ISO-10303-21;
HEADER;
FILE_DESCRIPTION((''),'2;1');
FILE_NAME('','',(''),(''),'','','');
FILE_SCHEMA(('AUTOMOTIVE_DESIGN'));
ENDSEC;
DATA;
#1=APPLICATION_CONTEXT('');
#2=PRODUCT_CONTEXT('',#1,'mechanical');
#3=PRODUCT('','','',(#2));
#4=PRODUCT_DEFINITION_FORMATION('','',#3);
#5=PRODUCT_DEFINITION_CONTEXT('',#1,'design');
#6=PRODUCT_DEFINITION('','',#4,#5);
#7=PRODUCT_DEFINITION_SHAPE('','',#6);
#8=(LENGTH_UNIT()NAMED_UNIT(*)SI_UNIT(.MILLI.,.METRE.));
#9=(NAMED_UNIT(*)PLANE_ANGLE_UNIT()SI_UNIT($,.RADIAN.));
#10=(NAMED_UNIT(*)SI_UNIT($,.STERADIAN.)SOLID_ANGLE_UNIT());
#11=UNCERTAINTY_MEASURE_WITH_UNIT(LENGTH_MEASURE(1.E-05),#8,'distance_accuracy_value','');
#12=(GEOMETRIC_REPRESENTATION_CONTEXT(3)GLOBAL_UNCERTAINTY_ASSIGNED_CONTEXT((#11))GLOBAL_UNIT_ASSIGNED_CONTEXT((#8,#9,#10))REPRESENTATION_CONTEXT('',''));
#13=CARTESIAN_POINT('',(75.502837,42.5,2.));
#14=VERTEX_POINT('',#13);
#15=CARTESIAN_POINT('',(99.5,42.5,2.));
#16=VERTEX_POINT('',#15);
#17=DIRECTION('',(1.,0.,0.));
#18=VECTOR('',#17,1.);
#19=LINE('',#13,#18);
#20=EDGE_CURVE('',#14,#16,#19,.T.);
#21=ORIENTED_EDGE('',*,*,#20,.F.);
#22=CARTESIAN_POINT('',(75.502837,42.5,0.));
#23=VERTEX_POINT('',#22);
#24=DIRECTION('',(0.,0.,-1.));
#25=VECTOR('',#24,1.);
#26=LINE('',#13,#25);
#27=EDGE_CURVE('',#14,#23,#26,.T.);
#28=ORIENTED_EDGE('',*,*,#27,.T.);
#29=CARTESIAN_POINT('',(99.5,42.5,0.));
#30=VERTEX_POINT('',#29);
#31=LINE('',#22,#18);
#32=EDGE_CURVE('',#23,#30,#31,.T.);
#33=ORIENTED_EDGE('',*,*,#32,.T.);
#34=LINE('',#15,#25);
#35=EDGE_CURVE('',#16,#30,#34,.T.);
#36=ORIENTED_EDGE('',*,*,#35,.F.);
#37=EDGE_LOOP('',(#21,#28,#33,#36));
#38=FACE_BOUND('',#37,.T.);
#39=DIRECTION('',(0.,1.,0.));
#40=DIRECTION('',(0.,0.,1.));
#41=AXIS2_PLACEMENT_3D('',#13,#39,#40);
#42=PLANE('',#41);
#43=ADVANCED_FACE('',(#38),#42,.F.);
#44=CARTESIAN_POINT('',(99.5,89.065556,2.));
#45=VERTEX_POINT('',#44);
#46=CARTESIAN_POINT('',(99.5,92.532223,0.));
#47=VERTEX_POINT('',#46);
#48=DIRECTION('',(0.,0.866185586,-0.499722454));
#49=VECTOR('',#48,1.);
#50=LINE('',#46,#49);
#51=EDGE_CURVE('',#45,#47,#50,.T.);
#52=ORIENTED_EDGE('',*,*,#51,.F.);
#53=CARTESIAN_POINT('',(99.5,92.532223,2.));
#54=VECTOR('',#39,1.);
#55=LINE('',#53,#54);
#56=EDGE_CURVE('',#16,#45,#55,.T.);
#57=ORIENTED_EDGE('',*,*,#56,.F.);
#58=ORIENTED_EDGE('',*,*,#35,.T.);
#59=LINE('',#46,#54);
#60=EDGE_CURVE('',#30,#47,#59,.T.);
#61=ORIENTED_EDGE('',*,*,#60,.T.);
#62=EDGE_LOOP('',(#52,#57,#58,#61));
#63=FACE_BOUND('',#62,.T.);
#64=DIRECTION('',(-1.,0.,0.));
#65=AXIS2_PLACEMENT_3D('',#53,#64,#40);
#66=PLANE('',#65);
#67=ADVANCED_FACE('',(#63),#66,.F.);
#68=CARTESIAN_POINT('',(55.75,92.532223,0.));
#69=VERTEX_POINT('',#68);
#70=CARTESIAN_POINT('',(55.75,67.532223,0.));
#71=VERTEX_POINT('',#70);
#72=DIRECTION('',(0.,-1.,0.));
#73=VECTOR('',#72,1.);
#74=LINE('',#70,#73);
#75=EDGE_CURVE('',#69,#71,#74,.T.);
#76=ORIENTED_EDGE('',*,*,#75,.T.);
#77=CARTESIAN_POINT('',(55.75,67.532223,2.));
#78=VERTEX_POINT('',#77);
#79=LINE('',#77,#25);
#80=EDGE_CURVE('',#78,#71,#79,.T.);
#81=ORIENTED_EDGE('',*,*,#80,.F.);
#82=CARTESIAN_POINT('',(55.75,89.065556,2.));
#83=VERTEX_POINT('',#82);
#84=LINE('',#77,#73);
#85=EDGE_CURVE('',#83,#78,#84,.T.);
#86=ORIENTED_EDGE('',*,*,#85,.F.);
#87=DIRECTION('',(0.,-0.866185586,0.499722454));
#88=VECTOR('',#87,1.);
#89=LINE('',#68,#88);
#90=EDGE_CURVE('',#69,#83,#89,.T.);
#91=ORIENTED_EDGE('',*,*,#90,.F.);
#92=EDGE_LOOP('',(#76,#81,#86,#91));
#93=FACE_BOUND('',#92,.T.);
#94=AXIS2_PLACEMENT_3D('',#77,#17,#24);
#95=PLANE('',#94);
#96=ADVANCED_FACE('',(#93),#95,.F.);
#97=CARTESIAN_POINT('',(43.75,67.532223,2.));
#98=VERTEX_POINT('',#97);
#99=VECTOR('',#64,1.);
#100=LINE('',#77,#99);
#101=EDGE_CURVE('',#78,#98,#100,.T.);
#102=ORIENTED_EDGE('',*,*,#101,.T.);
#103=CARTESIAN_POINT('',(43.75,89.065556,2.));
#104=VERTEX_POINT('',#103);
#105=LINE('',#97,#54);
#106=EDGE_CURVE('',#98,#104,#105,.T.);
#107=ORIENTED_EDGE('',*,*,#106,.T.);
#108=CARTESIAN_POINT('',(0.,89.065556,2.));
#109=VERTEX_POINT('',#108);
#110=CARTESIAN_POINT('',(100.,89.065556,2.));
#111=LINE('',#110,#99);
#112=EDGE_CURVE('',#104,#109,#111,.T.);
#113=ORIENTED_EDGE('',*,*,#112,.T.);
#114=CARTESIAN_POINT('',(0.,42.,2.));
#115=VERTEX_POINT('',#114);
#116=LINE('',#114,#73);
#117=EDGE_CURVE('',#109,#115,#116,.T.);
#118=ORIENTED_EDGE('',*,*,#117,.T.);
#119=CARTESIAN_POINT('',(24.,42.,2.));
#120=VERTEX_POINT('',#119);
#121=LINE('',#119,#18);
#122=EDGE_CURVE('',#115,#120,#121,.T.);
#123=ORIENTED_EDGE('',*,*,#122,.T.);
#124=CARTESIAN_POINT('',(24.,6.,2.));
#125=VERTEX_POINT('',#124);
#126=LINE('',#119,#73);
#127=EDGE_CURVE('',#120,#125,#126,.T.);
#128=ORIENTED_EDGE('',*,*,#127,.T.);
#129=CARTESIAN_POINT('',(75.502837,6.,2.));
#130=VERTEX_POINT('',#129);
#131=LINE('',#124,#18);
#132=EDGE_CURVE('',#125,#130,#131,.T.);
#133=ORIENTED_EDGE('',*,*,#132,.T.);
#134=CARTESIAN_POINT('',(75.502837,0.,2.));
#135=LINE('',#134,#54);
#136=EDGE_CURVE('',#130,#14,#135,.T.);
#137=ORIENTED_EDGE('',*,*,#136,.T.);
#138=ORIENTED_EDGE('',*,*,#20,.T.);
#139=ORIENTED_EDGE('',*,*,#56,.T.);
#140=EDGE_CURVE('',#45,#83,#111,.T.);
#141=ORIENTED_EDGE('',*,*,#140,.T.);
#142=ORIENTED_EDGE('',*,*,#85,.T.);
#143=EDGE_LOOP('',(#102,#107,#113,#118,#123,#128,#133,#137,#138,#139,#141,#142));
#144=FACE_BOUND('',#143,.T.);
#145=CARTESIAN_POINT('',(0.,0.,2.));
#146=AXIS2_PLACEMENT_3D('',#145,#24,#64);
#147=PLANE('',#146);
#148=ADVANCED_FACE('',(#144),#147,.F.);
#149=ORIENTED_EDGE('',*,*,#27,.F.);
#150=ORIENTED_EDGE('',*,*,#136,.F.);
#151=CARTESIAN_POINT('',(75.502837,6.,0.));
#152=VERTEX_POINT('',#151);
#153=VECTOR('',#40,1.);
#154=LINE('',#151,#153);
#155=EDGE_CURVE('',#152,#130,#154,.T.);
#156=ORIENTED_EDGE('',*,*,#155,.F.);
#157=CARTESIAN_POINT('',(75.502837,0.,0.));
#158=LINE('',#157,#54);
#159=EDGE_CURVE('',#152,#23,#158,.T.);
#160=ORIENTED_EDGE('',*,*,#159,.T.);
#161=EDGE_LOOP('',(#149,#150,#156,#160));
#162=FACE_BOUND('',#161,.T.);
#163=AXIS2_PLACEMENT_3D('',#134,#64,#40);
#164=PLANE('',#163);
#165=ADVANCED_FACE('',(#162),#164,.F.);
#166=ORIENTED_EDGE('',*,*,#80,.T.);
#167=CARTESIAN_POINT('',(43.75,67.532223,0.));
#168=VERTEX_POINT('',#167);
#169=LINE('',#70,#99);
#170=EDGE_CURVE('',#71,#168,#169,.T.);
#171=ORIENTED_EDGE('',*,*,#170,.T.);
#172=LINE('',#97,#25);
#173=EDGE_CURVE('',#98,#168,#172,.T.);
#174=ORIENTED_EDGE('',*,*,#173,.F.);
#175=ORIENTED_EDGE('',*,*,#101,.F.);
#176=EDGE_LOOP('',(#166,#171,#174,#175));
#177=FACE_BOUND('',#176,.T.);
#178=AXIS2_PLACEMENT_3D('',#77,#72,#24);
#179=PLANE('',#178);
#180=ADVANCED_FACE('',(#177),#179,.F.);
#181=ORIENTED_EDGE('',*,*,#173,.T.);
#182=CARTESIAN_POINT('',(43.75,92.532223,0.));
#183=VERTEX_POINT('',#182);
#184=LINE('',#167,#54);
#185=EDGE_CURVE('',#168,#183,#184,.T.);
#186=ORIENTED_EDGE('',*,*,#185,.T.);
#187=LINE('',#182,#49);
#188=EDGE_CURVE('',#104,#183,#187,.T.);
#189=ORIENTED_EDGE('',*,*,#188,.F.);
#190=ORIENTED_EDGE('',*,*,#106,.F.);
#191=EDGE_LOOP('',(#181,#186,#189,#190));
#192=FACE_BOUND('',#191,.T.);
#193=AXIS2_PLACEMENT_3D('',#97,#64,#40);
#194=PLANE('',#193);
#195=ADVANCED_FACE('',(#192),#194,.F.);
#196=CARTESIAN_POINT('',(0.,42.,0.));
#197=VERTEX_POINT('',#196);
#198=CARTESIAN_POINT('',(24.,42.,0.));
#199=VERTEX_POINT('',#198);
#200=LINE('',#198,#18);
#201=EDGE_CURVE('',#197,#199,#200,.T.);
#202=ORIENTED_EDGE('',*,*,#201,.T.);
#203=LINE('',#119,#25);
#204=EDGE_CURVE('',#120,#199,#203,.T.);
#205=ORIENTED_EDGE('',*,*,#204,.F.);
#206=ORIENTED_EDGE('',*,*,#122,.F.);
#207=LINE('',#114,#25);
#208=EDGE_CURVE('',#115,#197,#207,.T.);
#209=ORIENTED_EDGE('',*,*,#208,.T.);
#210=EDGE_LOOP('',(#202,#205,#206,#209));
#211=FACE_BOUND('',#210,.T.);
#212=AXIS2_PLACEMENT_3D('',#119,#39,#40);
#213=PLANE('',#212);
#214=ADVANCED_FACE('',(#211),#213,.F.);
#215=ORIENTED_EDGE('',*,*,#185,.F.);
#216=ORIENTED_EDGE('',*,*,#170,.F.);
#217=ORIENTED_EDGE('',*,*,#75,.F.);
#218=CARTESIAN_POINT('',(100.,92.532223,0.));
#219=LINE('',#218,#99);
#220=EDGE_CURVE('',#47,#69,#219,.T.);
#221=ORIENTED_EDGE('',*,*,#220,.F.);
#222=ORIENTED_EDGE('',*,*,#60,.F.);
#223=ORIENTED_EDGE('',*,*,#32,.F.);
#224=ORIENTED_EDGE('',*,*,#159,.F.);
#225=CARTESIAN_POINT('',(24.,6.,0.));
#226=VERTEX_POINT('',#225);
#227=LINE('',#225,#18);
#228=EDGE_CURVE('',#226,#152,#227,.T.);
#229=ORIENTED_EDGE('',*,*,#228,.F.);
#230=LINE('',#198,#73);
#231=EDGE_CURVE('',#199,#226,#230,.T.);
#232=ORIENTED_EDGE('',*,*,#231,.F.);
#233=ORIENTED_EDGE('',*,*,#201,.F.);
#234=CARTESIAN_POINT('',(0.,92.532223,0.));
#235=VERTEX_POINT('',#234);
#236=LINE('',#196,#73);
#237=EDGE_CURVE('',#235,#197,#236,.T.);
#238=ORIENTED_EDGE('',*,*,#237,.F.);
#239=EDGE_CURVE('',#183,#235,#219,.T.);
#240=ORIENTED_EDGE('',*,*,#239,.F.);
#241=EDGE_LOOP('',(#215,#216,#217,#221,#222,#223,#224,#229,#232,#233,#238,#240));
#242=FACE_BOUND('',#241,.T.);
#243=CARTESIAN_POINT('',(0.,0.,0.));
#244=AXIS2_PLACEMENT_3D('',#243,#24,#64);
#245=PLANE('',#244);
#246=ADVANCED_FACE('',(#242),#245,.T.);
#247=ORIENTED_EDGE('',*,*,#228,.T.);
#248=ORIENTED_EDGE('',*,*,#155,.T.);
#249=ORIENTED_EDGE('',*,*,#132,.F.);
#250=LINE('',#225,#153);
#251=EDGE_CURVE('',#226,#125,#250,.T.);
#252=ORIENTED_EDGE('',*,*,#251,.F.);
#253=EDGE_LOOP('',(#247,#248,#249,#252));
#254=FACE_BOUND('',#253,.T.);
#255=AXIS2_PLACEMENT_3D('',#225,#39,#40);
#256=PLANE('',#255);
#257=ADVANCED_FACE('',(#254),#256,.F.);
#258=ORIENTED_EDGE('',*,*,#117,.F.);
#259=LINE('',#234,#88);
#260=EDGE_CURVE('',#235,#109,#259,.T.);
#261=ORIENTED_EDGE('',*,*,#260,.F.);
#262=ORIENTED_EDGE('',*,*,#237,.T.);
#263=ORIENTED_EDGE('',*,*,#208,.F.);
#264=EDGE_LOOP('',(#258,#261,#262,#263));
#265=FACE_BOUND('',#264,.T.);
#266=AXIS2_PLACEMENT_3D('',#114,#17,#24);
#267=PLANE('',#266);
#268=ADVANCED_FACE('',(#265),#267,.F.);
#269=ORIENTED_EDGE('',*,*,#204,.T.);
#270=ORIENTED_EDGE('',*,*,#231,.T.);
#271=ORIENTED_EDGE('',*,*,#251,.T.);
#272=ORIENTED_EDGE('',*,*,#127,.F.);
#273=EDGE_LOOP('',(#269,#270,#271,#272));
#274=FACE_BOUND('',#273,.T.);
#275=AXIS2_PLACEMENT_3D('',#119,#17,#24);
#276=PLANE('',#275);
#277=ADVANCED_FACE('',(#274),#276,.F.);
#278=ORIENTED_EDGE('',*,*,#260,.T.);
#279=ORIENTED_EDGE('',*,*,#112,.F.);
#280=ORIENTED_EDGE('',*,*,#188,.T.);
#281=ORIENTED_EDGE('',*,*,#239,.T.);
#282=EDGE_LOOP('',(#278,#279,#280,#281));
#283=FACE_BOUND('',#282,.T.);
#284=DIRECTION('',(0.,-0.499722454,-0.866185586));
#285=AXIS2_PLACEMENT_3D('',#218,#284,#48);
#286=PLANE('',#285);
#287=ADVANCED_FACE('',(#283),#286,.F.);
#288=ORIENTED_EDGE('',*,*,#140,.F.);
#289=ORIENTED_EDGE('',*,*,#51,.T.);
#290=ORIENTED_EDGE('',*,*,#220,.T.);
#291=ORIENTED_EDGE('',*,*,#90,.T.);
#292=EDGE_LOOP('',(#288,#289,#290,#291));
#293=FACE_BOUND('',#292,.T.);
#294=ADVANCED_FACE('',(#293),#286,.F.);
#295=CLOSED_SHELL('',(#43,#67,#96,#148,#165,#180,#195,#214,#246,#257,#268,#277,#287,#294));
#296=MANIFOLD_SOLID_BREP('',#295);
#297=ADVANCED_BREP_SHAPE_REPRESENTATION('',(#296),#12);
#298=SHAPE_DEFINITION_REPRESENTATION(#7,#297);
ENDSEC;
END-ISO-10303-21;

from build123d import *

# Parameters (mm, degrees)
SALIENTE_EXTRUIR1_DEPTH = 2
CORTAR_EXTRUIR2_START   = -100
CORTAR_EXTRUIR2_DEPTH   = 100
CORTAR_EXTRUIR3_DEPTH   = 2
CROQUIS7_W              = 12
CROQUIS7_H              = 25
CORTAR_EXTRUIR4_DEPTH   = 2
CORTAR_EXTRUIR5_START   = -51.502837
CROQUIS9_W              = 2
CROQUIS9_H              = 6
CORTAR_EXTRUIR5_DEPTH   = 51.502837


with BuildPart() as part:
    # Croquis1 → Saliente-Extruir1 (new body)
    with BuildSketch(Plane.XY):
        Polygon((100, 100), (100, 42), (76, 42), (76, 0), (24, 0), (24, 42), (0, 42), (0, 100), align=None)
    extrude(amount=SALIENTE_EXTRUIR1_DEPTH)

    # Croquis4 → Cortar-Extruir2 (cut)
    with BuildSketch(Plane.ZY.offset(CORTAR_EXTRUIR2_START)):
        Polygon((2, 89.065555864), (2, 91.065555864), (2, 93.066666667), (2, 100), (0, 100), (0, 96.533333333), (0, 94.532222531), (0, 92.532222531), align=None)
    extrude(amount=CORTAR_EXTRUIR2_DEPTH, mode=Mode.SUBTRACT)

    # Croquis6 → Cortar-Extruir3 (cut)
    with BuildSketch(Plane(origin=(0, 0, 0), x_dir=(-1, 0, 0), z_dir=(0, 0, -1))):
        Polygon((-100, 92.532222531), (-99.5, 92.532222531), (-99.5, 42.5), (-75.502836605, 42.5), (-75.502836605, 0), (-76, 0), (-76, 42), (-100, 42), align=None)
    extrude(amount=-CORTAR_EXTRUIR3_DEPTH, mode=Mode.SUBTRACT)

    # Croquis7 → Cortar-Extruir4 (cut)
    with BuildSketch(Plane(origin=(0, 0, 0), x_dir=(-1, 0, 0), z_dir=(0, 0, -1))):
        with Locations((-49.75, 80.032222531)):
            Rectangle(CROQUIS7_W, CROQUIS7_H)
    extrude(amount=-CORTAR_EXTRUIR4_DEPTH, mode=Mode.SUBTRACT)

    # Croquis9 → Cortar-Extruir5 (cut)
    with BuildSketch(Plane(origin=(75.502836605, 0, 0), x_dir=(0, 0, -1), z_dir=(1, 0, 0)).offset(CORTAR_EXTRUIR5_START)):
        with Locations((-1, 3)):
            Rectangle(CROQUIS9_W, CROQUIS9_H)
    extrude(amount=CORTAR_EXTRUIR5_DEPTH, mode=Mode.SUBTRACT)


solid = part.part
